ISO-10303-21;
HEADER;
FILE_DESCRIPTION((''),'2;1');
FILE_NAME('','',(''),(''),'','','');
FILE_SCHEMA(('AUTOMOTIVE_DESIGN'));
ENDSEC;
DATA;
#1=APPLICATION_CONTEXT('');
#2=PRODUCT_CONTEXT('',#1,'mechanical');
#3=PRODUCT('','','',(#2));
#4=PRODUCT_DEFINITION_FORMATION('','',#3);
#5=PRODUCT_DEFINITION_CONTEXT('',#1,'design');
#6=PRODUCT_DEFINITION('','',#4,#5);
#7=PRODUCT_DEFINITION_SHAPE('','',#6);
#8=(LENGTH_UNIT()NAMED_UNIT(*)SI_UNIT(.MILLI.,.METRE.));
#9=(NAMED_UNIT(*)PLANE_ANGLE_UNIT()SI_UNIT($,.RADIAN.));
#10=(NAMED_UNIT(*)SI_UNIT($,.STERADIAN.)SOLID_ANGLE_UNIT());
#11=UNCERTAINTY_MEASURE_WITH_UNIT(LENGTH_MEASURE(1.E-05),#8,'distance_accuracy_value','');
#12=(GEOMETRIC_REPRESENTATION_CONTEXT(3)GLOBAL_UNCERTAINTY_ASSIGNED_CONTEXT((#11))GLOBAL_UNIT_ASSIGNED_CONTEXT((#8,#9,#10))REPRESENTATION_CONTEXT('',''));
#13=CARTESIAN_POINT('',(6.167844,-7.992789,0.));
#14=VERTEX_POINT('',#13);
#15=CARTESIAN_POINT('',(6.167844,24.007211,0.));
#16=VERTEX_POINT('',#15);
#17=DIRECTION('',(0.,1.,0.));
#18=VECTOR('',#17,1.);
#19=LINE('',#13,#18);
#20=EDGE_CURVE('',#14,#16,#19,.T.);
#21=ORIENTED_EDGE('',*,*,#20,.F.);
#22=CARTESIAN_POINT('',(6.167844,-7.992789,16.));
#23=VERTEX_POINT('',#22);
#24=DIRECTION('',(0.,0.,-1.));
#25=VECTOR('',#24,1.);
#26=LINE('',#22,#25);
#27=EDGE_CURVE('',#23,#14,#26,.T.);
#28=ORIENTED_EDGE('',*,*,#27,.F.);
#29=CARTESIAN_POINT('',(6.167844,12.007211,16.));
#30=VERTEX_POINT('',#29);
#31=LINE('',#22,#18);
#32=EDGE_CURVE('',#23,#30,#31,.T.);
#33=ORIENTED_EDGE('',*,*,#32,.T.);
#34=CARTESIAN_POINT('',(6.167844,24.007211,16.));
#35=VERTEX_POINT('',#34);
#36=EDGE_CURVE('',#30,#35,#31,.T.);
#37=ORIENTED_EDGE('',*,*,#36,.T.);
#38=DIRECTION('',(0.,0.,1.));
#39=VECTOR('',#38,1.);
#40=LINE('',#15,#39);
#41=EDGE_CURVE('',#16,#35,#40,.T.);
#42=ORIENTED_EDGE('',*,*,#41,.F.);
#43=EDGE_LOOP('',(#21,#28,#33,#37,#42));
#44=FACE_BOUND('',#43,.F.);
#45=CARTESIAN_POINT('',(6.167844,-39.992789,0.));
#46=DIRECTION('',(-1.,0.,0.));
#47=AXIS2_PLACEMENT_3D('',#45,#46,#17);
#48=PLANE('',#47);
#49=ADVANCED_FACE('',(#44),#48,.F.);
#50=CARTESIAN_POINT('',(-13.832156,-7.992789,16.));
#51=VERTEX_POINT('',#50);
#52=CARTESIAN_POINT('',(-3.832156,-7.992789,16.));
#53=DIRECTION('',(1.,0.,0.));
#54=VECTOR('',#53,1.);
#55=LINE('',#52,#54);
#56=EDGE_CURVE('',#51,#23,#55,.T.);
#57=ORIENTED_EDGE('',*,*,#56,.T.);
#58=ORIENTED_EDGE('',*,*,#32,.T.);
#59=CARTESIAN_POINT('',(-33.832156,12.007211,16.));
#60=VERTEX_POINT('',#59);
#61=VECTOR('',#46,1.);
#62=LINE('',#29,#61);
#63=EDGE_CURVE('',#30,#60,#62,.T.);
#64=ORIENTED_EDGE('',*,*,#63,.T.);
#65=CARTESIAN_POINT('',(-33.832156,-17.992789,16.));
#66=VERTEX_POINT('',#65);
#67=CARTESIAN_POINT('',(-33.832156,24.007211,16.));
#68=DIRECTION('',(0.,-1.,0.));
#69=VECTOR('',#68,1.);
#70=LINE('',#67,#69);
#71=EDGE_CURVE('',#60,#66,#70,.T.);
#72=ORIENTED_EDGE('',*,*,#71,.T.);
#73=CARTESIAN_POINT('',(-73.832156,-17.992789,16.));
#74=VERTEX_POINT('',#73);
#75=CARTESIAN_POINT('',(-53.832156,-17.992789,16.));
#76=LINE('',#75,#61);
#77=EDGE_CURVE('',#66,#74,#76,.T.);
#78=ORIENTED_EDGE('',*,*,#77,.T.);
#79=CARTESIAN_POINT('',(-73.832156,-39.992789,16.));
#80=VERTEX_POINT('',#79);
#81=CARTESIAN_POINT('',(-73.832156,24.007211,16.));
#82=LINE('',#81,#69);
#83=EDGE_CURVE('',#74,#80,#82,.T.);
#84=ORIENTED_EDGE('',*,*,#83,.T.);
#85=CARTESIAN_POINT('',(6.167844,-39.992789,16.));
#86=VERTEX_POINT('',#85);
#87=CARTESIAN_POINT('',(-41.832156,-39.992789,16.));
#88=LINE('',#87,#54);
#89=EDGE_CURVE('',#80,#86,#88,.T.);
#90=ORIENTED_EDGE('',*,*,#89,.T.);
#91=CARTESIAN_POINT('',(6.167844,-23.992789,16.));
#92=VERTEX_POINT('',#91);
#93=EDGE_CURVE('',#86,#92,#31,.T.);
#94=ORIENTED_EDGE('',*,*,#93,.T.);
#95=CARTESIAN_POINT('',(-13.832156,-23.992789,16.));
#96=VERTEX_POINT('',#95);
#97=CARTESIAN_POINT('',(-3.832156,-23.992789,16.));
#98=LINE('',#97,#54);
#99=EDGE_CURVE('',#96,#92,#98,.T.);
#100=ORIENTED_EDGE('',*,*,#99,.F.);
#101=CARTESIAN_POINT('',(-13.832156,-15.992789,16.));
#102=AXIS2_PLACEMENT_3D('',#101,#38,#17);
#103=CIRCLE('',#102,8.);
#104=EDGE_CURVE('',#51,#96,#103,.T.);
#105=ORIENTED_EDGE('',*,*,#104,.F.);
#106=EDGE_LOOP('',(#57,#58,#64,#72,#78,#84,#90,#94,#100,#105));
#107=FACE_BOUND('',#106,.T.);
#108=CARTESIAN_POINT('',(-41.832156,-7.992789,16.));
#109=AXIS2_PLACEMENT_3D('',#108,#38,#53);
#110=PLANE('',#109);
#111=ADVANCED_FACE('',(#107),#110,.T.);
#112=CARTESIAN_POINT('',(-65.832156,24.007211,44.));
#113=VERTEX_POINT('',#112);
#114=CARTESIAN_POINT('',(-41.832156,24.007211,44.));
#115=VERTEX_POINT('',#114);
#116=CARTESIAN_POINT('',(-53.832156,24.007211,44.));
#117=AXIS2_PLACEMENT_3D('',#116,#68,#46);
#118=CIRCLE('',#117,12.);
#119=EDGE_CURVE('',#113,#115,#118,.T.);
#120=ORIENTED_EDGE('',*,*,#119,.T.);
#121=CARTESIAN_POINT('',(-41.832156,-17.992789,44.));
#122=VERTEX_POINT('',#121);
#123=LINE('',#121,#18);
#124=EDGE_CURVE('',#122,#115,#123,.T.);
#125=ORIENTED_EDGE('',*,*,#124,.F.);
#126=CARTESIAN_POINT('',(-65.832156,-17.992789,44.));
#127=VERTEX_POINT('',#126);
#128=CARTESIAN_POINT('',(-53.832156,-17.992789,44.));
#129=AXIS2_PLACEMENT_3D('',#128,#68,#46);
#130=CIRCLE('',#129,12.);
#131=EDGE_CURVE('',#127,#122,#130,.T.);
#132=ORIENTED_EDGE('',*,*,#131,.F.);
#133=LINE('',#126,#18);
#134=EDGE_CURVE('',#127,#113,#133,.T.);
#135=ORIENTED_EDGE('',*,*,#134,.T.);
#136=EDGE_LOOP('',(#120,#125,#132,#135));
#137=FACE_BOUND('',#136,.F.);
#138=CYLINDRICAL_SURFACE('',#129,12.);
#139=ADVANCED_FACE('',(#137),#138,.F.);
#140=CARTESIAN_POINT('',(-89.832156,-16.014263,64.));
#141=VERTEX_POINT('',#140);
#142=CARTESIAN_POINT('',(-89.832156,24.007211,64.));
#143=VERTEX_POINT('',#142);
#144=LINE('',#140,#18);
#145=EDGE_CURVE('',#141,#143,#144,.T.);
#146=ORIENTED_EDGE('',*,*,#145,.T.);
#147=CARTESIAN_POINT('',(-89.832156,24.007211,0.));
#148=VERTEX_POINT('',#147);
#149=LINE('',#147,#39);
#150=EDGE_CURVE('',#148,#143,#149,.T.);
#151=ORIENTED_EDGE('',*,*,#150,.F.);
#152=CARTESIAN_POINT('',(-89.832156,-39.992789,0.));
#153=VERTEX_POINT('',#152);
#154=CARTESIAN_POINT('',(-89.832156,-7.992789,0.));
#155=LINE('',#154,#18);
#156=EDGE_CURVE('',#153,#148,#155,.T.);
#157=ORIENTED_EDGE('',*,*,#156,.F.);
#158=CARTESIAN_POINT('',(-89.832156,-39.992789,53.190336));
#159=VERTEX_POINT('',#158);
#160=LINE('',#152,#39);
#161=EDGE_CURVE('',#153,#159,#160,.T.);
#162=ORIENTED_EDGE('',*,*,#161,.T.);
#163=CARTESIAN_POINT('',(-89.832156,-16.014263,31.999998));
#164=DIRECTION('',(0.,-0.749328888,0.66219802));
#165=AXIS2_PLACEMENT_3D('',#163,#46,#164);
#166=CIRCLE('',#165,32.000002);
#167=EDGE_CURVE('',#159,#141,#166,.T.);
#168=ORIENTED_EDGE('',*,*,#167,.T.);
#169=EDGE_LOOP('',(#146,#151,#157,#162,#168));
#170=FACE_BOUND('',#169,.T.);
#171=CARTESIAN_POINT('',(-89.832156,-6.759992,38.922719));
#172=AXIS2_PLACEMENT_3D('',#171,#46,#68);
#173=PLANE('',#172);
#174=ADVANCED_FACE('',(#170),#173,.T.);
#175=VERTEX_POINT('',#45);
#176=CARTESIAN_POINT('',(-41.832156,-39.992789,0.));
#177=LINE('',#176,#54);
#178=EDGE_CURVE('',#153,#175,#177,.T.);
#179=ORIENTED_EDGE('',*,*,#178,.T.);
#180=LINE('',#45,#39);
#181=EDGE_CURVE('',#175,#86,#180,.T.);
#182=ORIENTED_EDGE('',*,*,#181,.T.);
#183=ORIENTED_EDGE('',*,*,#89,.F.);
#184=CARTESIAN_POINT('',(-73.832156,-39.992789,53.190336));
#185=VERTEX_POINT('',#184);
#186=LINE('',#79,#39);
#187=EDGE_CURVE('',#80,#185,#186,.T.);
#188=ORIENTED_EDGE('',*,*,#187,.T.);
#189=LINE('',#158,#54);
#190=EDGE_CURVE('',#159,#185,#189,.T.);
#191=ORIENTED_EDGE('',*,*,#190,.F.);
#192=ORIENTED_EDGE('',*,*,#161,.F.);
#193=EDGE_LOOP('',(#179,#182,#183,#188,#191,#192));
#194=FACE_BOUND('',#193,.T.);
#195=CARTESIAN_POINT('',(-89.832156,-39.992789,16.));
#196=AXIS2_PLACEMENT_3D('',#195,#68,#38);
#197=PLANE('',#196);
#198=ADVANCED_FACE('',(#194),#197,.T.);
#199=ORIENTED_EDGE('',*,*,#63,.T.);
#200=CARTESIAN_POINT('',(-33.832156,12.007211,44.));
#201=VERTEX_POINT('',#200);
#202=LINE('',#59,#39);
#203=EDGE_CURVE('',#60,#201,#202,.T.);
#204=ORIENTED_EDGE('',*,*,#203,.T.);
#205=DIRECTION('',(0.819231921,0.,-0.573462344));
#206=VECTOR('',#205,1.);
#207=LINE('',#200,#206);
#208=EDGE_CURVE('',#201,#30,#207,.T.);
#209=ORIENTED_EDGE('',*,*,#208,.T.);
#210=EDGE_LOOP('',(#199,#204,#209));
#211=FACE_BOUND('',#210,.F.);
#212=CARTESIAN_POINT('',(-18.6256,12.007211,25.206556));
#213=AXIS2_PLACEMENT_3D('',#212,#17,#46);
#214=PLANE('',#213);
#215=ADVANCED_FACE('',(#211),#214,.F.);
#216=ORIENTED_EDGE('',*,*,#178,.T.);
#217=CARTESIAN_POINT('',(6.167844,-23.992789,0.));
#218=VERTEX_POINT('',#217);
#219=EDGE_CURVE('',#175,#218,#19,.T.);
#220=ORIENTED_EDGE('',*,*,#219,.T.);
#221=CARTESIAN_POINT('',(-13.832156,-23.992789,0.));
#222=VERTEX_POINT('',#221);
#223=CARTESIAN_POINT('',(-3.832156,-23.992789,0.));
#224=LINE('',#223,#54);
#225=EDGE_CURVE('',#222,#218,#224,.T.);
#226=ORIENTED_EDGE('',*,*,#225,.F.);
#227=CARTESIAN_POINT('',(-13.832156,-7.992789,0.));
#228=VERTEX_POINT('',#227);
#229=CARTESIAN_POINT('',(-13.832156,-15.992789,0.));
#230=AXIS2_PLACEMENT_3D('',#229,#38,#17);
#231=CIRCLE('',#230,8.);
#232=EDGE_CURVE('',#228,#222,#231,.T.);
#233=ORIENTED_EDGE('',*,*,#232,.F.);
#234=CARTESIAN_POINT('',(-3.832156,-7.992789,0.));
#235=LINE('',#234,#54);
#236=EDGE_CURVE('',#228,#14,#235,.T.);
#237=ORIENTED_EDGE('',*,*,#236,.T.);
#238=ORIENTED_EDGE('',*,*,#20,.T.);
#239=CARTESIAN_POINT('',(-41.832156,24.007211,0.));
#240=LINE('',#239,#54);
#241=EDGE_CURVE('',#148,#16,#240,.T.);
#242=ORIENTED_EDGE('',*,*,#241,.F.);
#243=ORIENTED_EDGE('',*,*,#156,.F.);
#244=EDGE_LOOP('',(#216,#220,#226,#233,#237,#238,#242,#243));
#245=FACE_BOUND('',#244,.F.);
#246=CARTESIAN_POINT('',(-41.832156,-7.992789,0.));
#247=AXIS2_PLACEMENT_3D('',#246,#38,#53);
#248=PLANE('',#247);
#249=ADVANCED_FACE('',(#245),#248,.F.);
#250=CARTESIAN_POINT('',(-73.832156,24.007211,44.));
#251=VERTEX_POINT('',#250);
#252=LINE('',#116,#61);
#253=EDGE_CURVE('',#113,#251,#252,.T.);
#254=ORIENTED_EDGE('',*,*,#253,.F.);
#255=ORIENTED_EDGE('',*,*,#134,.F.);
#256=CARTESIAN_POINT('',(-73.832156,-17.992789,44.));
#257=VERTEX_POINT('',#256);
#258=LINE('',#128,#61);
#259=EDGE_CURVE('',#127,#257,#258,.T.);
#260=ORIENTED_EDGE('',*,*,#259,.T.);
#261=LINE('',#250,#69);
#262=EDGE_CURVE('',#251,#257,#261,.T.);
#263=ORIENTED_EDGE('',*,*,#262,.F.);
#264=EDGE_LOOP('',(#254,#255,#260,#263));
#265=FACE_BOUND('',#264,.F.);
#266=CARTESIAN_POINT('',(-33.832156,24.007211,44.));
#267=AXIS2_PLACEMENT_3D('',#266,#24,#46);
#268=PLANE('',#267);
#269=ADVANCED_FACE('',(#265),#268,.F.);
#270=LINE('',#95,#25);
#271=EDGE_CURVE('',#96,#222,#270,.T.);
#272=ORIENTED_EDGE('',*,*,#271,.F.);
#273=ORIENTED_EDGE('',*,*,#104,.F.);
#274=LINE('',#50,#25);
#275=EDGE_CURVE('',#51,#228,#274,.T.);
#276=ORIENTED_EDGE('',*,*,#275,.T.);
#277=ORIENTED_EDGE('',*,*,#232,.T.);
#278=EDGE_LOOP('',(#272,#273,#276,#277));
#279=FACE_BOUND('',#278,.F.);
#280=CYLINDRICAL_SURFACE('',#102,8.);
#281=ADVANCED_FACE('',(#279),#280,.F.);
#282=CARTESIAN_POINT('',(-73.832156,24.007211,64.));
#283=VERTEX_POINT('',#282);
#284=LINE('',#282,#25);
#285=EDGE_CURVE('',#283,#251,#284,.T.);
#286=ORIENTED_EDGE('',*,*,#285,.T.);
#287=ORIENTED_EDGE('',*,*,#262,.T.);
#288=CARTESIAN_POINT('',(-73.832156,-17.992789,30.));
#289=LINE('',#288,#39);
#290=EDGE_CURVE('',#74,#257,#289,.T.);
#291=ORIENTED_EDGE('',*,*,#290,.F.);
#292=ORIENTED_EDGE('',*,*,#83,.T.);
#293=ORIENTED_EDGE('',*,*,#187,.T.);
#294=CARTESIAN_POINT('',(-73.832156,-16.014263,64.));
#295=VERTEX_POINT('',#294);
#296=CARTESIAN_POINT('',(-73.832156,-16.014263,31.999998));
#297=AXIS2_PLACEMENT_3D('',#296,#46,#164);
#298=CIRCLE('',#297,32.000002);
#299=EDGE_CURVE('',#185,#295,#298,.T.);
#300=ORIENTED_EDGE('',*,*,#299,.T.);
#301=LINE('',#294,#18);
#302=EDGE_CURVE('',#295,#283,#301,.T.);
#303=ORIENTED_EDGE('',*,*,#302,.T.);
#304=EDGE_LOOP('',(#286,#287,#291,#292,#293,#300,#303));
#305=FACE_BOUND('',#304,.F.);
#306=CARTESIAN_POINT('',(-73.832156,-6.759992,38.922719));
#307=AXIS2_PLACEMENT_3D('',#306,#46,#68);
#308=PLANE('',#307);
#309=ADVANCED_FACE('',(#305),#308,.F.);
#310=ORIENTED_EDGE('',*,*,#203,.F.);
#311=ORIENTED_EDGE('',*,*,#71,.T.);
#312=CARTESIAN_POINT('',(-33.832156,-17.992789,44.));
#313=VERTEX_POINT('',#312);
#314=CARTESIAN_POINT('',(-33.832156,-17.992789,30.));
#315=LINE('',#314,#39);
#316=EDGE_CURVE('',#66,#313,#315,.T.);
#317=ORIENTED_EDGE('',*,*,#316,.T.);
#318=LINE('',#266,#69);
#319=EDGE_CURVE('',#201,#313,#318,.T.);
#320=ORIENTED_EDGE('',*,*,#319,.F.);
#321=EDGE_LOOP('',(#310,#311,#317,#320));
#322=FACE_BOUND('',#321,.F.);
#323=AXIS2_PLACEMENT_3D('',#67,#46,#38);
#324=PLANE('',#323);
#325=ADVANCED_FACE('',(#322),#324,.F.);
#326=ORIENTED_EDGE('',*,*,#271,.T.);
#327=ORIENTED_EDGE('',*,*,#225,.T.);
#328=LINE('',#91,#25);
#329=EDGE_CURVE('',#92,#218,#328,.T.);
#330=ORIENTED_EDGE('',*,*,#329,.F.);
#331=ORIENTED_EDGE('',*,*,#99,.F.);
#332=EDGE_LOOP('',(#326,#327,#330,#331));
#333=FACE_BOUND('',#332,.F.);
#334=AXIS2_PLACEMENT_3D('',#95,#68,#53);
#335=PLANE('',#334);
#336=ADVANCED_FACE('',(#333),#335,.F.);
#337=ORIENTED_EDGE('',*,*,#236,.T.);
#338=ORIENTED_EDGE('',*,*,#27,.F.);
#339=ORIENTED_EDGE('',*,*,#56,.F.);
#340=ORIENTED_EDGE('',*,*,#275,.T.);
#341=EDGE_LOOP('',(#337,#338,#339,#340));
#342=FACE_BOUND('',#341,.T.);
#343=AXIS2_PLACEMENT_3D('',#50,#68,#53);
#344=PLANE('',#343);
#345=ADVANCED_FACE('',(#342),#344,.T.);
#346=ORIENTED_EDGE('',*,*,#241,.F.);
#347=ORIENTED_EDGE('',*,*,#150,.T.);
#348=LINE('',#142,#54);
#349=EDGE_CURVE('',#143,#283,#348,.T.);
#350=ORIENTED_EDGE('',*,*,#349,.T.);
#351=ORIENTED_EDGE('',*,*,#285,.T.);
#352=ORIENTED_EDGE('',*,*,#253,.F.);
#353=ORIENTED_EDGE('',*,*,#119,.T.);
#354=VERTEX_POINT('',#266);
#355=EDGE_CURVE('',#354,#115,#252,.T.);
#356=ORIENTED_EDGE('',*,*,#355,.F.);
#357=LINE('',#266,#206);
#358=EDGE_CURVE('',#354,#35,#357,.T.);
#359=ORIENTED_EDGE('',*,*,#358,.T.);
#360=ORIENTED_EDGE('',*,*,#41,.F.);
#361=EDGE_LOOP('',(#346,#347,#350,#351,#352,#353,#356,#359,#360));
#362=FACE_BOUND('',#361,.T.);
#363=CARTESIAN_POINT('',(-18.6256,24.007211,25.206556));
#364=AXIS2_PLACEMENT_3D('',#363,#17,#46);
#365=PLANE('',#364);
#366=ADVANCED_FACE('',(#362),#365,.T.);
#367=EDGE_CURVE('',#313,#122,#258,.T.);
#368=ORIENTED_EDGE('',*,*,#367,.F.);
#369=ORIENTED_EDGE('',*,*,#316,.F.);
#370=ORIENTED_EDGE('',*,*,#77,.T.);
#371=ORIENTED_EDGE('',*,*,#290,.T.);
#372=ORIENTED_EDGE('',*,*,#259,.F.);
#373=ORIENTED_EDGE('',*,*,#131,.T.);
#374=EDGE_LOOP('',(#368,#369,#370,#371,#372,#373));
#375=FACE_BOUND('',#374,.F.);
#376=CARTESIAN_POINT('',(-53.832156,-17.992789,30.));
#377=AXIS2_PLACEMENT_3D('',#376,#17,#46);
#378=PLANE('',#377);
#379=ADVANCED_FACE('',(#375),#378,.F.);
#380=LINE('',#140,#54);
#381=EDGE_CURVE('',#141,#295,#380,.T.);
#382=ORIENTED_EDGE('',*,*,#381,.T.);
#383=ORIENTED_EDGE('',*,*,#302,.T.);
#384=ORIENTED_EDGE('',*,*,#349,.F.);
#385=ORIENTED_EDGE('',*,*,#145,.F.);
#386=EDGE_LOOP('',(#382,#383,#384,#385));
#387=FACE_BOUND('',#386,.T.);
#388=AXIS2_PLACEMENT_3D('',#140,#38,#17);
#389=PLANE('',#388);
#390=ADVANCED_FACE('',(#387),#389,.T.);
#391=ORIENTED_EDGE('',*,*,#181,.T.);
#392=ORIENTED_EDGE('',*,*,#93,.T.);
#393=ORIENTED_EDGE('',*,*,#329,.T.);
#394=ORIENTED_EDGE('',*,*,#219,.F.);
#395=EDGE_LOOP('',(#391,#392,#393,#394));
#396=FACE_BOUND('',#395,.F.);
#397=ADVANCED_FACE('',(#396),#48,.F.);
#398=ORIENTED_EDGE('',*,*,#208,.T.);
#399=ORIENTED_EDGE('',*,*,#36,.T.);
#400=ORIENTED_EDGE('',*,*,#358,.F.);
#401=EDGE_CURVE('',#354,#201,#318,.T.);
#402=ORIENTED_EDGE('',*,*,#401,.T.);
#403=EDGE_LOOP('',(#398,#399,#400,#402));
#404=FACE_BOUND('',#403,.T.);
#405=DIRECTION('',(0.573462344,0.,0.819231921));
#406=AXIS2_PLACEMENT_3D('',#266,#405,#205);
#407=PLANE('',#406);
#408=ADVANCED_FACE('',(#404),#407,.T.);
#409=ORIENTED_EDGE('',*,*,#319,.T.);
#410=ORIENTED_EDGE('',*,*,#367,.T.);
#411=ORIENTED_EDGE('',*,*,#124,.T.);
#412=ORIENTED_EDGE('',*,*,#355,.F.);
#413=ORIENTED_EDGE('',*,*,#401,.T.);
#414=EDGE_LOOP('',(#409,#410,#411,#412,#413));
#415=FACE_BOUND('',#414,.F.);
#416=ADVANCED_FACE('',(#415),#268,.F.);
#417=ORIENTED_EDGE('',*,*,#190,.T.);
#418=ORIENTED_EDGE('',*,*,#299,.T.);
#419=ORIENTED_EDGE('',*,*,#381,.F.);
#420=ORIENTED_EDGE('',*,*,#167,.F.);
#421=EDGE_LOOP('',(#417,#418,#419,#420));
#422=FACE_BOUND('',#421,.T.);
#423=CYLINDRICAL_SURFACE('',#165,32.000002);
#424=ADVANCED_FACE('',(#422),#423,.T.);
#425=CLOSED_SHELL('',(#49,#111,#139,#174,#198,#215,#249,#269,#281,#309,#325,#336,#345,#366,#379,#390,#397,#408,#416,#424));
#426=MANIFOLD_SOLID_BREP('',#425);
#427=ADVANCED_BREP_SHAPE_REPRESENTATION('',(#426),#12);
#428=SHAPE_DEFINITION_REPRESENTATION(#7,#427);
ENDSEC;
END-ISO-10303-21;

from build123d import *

# Parameters (mm, degrees)
F0_W      = 96
F0_H      = 64
F1_DEPTH  = 16
F3_DEPTH  = 16
F4_W      = 40
F4_H      = 28
F5_DEPTH  = 42
F7_DEPTH  = 42
F8_W      = 20
F8_H      = 16
F9_DEPTH  = 16
F11_DEPTH = 12


with BuildPart() as f1:
    # F0 (on Top) → F1 (new body)
    with BuildSketch(Plane.XY):
        with Locations((-41.832156, -7.992789)):
            Rectangle(F0_W, F0_H)
    extrude(amount=F1_DEPTH)

    # F2 (on face) → F3 (join)
    with BuildSketch(Plane(origin=(-89.832156, 0, 0), x_dir=(0, -1, 0), z_dir=(-1, 0, 0))):
        with BuildLine():
            Line((-24.007211, 64), (-24.007211, 16))
            Line((-24.007211, 16), (39.992789, 16))
            Line((39.992789, 16), (39.992789, 53.190336))
            ThreePointArc((39.992789, 53.190336), (29.165485, 61.172682), (16.014263, 64))
            Line((16.014263, 64), (-24.007211, 64))
        make_face()
    extrude(amount=-F3_DEPTH)

    # F4 (on face) → F5 (join)
    with BuildSketch(Plane(origin=(0, 24.007211, 0), x_dir=(-1, 0, 0), z_dir=(0, 1, 0))):
        with Locations((53.832156, 30)):
            Rectangle(F4_W, F4_H)
    extrude(amount=-F5_DEPTH)

    # F6 (on face) → F7 (cut)
    with BuildSketch(Plane.XZ.offset(17.992789)):
        with BuildLine():
            ThreePointArc((-65.832156, 44), (-53.832156, 32), (-41.832156, 44))
            Line((-41.832156, 44), (-65.832156, 44))
        make_face()
    extrude(amount=-F7_DEPTH, mode=Mode.SUBTRACT)

    # F8 (on face) → F9 (cut)
    with BuildSketch(Plane.XY.offset(16)):
        with Locations((-3.832156, -15.992789)):
            Rectangle(F8_W, F8_H)
        with BuildLine():
            ThreePointArc((-13.832156, -7.992789), (-21.832156, -15.992789), (-13.832156, -23.992789))
            Line((-13.832156, -23.992789), (-13.832156, -7.992789))
        make_face()
    extrude(amount=-F9_DEPTH, mode=Mode.SUBTRACT)

    # F10 (on face) → F11 (join)
    with BuildSketch(Plane(origin=(0, 24.007211, 0), x_dir=(-1, 0, 0), z_dir=(0, 1, 0))):
        Polygon((33.832156, 44), (-6.167844, 16), (33.832156, 16), align=None)
    extrude(amount=-F11_DEPTH)


solid = f1.part
